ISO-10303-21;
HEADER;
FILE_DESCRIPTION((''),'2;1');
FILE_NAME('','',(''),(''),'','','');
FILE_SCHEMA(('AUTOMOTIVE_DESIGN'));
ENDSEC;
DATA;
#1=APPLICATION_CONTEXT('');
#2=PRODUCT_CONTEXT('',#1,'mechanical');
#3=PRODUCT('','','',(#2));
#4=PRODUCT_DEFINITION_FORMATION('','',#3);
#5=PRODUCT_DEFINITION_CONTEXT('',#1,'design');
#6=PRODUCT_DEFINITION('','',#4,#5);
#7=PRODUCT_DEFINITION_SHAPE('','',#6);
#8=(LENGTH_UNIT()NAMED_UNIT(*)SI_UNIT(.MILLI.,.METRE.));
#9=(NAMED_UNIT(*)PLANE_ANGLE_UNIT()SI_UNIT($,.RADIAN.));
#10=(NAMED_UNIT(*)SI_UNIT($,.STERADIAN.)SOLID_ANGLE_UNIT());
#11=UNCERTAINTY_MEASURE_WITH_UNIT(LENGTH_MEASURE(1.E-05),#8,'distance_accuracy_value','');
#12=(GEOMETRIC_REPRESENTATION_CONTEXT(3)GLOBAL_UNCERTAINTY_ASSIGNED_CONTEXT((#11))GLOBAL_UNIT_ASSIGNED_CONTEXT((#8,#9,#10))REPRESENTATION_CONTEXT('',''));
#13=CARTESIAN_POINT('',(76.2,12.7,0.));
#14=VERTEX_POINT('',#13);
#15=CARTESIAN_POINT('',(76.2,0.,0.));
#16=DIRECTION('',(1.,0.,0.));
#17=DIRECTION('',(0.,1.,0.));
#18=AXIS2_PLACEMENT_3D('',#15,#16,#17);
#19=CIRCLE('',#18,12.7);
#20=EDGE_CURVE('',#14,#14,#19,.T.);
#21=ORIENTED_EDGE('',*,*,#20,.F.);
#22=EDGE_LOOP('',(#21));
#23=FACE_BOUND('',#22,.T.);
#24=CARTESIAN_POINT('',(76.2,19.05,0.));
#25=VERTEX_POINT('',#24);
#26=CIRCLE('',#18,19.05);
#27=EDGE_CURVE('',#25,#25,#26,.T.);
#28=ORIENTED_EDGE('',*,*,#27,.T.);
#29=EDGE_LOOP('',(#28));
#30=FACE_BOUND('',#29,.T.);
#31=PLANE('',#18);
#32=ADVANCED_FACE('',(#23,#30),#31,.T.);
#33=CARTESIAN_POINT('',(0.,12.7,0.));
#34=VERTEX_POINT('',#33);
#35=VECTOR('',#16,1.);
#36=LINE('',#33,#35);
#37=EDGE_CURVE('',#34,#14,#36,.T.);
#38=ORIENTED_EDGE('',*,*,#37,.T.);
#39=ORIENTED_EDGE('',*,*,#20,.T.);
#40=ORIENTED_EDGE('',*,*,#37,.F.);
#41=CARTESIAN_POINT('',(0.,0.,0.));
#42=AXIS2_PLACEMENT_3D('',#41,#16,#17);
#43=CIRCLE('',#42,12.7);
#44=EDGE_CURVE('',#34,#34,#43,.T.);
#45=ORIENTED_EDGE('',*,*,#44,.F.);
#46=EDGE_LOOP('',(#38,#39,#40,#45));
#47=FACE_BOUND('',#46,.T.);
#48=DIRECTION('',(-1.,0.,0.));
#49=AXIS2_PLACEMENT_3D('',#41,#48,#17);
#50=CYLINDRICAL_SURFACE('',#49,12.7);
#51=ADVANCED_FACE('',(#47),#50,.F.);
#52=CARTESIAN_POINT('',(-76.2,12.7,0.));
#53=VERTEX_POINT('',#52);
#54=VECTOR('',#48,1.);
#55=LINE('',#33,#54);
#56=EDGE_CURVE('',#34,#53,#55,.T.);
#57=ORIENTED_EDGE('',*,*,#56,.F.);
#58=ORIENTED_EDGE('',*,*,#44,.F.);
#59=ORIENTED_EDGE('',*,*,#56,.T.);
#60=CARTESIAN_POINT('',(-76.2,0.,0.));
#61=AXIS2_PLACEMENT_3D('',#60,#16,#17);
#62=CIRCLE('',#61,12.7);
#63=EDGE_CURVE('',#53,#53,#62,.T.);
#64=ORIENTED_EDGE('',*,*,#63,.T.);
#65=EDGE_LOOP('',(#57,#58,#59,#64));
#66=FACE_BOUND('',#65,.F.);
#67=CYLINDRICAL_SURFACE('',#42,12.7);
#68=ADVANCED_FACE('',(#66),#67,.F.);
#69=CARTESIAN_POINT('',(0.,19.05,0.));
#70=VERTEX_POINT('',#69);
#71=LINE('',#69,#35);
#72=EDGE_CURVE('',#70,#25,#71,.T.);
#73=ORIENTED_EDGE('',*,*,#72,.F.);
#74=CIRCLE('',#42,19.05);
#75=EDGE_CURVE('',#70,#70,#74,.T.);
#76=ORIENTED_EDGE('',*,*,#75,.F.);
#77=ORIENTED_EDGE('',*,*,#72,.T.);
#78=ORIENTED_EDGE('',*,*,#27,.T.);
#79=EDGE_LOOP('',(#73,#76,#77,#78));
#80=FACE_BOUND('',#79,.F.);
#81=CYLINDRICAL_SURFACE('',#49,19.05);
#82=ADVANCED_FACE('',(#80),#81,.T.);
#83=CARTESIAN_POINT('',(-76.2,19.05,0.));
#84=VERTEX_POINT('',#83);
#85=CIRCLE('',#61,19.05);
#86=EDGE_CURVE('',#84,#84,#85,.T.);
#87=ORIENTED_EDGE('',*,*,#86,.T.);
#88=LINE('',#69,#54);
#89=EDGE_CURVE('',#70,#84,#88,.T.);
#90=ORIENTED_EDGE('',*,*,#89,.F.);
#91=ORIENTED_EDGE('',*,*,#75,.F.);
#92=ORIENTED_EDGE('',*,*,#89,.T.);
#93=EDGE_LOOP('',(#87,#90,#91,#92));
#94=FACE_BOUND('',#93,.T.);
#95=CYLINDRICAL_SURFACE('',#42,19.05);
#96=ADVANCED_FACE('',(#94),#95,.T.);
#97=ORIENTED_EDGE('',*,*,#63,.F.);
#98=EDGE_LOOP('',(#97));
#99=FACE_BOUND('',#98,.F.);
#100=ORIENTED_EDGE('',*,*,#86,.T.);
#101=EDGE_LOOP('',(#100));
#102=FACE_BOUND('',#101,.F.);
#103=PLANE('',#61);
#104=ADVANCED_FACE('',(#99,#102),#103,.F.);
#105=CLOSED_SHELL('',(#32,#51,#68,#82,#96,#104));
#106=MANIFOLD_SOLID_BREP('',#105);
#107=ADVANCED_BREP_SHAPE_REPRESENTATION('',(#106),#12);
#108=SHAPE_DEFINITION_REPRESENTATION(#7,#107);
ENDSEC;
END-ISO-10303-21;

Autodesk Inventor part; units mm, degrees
sketch "Sketch1" plane through (0, 0, 0) normal (1, 0, 0) x (0, 1, 0)
  circle A0 centre (0, 0) radius 12.7
  circle A1 centre (0, 0) radius 19.05
  dimension "d0" = 25.4
  dimension "d1" = 6.35
extrude "Extrusion1" add sketch "Sketch1" along normal mid plane 152.4
properties part number "cylinderForKicker"
